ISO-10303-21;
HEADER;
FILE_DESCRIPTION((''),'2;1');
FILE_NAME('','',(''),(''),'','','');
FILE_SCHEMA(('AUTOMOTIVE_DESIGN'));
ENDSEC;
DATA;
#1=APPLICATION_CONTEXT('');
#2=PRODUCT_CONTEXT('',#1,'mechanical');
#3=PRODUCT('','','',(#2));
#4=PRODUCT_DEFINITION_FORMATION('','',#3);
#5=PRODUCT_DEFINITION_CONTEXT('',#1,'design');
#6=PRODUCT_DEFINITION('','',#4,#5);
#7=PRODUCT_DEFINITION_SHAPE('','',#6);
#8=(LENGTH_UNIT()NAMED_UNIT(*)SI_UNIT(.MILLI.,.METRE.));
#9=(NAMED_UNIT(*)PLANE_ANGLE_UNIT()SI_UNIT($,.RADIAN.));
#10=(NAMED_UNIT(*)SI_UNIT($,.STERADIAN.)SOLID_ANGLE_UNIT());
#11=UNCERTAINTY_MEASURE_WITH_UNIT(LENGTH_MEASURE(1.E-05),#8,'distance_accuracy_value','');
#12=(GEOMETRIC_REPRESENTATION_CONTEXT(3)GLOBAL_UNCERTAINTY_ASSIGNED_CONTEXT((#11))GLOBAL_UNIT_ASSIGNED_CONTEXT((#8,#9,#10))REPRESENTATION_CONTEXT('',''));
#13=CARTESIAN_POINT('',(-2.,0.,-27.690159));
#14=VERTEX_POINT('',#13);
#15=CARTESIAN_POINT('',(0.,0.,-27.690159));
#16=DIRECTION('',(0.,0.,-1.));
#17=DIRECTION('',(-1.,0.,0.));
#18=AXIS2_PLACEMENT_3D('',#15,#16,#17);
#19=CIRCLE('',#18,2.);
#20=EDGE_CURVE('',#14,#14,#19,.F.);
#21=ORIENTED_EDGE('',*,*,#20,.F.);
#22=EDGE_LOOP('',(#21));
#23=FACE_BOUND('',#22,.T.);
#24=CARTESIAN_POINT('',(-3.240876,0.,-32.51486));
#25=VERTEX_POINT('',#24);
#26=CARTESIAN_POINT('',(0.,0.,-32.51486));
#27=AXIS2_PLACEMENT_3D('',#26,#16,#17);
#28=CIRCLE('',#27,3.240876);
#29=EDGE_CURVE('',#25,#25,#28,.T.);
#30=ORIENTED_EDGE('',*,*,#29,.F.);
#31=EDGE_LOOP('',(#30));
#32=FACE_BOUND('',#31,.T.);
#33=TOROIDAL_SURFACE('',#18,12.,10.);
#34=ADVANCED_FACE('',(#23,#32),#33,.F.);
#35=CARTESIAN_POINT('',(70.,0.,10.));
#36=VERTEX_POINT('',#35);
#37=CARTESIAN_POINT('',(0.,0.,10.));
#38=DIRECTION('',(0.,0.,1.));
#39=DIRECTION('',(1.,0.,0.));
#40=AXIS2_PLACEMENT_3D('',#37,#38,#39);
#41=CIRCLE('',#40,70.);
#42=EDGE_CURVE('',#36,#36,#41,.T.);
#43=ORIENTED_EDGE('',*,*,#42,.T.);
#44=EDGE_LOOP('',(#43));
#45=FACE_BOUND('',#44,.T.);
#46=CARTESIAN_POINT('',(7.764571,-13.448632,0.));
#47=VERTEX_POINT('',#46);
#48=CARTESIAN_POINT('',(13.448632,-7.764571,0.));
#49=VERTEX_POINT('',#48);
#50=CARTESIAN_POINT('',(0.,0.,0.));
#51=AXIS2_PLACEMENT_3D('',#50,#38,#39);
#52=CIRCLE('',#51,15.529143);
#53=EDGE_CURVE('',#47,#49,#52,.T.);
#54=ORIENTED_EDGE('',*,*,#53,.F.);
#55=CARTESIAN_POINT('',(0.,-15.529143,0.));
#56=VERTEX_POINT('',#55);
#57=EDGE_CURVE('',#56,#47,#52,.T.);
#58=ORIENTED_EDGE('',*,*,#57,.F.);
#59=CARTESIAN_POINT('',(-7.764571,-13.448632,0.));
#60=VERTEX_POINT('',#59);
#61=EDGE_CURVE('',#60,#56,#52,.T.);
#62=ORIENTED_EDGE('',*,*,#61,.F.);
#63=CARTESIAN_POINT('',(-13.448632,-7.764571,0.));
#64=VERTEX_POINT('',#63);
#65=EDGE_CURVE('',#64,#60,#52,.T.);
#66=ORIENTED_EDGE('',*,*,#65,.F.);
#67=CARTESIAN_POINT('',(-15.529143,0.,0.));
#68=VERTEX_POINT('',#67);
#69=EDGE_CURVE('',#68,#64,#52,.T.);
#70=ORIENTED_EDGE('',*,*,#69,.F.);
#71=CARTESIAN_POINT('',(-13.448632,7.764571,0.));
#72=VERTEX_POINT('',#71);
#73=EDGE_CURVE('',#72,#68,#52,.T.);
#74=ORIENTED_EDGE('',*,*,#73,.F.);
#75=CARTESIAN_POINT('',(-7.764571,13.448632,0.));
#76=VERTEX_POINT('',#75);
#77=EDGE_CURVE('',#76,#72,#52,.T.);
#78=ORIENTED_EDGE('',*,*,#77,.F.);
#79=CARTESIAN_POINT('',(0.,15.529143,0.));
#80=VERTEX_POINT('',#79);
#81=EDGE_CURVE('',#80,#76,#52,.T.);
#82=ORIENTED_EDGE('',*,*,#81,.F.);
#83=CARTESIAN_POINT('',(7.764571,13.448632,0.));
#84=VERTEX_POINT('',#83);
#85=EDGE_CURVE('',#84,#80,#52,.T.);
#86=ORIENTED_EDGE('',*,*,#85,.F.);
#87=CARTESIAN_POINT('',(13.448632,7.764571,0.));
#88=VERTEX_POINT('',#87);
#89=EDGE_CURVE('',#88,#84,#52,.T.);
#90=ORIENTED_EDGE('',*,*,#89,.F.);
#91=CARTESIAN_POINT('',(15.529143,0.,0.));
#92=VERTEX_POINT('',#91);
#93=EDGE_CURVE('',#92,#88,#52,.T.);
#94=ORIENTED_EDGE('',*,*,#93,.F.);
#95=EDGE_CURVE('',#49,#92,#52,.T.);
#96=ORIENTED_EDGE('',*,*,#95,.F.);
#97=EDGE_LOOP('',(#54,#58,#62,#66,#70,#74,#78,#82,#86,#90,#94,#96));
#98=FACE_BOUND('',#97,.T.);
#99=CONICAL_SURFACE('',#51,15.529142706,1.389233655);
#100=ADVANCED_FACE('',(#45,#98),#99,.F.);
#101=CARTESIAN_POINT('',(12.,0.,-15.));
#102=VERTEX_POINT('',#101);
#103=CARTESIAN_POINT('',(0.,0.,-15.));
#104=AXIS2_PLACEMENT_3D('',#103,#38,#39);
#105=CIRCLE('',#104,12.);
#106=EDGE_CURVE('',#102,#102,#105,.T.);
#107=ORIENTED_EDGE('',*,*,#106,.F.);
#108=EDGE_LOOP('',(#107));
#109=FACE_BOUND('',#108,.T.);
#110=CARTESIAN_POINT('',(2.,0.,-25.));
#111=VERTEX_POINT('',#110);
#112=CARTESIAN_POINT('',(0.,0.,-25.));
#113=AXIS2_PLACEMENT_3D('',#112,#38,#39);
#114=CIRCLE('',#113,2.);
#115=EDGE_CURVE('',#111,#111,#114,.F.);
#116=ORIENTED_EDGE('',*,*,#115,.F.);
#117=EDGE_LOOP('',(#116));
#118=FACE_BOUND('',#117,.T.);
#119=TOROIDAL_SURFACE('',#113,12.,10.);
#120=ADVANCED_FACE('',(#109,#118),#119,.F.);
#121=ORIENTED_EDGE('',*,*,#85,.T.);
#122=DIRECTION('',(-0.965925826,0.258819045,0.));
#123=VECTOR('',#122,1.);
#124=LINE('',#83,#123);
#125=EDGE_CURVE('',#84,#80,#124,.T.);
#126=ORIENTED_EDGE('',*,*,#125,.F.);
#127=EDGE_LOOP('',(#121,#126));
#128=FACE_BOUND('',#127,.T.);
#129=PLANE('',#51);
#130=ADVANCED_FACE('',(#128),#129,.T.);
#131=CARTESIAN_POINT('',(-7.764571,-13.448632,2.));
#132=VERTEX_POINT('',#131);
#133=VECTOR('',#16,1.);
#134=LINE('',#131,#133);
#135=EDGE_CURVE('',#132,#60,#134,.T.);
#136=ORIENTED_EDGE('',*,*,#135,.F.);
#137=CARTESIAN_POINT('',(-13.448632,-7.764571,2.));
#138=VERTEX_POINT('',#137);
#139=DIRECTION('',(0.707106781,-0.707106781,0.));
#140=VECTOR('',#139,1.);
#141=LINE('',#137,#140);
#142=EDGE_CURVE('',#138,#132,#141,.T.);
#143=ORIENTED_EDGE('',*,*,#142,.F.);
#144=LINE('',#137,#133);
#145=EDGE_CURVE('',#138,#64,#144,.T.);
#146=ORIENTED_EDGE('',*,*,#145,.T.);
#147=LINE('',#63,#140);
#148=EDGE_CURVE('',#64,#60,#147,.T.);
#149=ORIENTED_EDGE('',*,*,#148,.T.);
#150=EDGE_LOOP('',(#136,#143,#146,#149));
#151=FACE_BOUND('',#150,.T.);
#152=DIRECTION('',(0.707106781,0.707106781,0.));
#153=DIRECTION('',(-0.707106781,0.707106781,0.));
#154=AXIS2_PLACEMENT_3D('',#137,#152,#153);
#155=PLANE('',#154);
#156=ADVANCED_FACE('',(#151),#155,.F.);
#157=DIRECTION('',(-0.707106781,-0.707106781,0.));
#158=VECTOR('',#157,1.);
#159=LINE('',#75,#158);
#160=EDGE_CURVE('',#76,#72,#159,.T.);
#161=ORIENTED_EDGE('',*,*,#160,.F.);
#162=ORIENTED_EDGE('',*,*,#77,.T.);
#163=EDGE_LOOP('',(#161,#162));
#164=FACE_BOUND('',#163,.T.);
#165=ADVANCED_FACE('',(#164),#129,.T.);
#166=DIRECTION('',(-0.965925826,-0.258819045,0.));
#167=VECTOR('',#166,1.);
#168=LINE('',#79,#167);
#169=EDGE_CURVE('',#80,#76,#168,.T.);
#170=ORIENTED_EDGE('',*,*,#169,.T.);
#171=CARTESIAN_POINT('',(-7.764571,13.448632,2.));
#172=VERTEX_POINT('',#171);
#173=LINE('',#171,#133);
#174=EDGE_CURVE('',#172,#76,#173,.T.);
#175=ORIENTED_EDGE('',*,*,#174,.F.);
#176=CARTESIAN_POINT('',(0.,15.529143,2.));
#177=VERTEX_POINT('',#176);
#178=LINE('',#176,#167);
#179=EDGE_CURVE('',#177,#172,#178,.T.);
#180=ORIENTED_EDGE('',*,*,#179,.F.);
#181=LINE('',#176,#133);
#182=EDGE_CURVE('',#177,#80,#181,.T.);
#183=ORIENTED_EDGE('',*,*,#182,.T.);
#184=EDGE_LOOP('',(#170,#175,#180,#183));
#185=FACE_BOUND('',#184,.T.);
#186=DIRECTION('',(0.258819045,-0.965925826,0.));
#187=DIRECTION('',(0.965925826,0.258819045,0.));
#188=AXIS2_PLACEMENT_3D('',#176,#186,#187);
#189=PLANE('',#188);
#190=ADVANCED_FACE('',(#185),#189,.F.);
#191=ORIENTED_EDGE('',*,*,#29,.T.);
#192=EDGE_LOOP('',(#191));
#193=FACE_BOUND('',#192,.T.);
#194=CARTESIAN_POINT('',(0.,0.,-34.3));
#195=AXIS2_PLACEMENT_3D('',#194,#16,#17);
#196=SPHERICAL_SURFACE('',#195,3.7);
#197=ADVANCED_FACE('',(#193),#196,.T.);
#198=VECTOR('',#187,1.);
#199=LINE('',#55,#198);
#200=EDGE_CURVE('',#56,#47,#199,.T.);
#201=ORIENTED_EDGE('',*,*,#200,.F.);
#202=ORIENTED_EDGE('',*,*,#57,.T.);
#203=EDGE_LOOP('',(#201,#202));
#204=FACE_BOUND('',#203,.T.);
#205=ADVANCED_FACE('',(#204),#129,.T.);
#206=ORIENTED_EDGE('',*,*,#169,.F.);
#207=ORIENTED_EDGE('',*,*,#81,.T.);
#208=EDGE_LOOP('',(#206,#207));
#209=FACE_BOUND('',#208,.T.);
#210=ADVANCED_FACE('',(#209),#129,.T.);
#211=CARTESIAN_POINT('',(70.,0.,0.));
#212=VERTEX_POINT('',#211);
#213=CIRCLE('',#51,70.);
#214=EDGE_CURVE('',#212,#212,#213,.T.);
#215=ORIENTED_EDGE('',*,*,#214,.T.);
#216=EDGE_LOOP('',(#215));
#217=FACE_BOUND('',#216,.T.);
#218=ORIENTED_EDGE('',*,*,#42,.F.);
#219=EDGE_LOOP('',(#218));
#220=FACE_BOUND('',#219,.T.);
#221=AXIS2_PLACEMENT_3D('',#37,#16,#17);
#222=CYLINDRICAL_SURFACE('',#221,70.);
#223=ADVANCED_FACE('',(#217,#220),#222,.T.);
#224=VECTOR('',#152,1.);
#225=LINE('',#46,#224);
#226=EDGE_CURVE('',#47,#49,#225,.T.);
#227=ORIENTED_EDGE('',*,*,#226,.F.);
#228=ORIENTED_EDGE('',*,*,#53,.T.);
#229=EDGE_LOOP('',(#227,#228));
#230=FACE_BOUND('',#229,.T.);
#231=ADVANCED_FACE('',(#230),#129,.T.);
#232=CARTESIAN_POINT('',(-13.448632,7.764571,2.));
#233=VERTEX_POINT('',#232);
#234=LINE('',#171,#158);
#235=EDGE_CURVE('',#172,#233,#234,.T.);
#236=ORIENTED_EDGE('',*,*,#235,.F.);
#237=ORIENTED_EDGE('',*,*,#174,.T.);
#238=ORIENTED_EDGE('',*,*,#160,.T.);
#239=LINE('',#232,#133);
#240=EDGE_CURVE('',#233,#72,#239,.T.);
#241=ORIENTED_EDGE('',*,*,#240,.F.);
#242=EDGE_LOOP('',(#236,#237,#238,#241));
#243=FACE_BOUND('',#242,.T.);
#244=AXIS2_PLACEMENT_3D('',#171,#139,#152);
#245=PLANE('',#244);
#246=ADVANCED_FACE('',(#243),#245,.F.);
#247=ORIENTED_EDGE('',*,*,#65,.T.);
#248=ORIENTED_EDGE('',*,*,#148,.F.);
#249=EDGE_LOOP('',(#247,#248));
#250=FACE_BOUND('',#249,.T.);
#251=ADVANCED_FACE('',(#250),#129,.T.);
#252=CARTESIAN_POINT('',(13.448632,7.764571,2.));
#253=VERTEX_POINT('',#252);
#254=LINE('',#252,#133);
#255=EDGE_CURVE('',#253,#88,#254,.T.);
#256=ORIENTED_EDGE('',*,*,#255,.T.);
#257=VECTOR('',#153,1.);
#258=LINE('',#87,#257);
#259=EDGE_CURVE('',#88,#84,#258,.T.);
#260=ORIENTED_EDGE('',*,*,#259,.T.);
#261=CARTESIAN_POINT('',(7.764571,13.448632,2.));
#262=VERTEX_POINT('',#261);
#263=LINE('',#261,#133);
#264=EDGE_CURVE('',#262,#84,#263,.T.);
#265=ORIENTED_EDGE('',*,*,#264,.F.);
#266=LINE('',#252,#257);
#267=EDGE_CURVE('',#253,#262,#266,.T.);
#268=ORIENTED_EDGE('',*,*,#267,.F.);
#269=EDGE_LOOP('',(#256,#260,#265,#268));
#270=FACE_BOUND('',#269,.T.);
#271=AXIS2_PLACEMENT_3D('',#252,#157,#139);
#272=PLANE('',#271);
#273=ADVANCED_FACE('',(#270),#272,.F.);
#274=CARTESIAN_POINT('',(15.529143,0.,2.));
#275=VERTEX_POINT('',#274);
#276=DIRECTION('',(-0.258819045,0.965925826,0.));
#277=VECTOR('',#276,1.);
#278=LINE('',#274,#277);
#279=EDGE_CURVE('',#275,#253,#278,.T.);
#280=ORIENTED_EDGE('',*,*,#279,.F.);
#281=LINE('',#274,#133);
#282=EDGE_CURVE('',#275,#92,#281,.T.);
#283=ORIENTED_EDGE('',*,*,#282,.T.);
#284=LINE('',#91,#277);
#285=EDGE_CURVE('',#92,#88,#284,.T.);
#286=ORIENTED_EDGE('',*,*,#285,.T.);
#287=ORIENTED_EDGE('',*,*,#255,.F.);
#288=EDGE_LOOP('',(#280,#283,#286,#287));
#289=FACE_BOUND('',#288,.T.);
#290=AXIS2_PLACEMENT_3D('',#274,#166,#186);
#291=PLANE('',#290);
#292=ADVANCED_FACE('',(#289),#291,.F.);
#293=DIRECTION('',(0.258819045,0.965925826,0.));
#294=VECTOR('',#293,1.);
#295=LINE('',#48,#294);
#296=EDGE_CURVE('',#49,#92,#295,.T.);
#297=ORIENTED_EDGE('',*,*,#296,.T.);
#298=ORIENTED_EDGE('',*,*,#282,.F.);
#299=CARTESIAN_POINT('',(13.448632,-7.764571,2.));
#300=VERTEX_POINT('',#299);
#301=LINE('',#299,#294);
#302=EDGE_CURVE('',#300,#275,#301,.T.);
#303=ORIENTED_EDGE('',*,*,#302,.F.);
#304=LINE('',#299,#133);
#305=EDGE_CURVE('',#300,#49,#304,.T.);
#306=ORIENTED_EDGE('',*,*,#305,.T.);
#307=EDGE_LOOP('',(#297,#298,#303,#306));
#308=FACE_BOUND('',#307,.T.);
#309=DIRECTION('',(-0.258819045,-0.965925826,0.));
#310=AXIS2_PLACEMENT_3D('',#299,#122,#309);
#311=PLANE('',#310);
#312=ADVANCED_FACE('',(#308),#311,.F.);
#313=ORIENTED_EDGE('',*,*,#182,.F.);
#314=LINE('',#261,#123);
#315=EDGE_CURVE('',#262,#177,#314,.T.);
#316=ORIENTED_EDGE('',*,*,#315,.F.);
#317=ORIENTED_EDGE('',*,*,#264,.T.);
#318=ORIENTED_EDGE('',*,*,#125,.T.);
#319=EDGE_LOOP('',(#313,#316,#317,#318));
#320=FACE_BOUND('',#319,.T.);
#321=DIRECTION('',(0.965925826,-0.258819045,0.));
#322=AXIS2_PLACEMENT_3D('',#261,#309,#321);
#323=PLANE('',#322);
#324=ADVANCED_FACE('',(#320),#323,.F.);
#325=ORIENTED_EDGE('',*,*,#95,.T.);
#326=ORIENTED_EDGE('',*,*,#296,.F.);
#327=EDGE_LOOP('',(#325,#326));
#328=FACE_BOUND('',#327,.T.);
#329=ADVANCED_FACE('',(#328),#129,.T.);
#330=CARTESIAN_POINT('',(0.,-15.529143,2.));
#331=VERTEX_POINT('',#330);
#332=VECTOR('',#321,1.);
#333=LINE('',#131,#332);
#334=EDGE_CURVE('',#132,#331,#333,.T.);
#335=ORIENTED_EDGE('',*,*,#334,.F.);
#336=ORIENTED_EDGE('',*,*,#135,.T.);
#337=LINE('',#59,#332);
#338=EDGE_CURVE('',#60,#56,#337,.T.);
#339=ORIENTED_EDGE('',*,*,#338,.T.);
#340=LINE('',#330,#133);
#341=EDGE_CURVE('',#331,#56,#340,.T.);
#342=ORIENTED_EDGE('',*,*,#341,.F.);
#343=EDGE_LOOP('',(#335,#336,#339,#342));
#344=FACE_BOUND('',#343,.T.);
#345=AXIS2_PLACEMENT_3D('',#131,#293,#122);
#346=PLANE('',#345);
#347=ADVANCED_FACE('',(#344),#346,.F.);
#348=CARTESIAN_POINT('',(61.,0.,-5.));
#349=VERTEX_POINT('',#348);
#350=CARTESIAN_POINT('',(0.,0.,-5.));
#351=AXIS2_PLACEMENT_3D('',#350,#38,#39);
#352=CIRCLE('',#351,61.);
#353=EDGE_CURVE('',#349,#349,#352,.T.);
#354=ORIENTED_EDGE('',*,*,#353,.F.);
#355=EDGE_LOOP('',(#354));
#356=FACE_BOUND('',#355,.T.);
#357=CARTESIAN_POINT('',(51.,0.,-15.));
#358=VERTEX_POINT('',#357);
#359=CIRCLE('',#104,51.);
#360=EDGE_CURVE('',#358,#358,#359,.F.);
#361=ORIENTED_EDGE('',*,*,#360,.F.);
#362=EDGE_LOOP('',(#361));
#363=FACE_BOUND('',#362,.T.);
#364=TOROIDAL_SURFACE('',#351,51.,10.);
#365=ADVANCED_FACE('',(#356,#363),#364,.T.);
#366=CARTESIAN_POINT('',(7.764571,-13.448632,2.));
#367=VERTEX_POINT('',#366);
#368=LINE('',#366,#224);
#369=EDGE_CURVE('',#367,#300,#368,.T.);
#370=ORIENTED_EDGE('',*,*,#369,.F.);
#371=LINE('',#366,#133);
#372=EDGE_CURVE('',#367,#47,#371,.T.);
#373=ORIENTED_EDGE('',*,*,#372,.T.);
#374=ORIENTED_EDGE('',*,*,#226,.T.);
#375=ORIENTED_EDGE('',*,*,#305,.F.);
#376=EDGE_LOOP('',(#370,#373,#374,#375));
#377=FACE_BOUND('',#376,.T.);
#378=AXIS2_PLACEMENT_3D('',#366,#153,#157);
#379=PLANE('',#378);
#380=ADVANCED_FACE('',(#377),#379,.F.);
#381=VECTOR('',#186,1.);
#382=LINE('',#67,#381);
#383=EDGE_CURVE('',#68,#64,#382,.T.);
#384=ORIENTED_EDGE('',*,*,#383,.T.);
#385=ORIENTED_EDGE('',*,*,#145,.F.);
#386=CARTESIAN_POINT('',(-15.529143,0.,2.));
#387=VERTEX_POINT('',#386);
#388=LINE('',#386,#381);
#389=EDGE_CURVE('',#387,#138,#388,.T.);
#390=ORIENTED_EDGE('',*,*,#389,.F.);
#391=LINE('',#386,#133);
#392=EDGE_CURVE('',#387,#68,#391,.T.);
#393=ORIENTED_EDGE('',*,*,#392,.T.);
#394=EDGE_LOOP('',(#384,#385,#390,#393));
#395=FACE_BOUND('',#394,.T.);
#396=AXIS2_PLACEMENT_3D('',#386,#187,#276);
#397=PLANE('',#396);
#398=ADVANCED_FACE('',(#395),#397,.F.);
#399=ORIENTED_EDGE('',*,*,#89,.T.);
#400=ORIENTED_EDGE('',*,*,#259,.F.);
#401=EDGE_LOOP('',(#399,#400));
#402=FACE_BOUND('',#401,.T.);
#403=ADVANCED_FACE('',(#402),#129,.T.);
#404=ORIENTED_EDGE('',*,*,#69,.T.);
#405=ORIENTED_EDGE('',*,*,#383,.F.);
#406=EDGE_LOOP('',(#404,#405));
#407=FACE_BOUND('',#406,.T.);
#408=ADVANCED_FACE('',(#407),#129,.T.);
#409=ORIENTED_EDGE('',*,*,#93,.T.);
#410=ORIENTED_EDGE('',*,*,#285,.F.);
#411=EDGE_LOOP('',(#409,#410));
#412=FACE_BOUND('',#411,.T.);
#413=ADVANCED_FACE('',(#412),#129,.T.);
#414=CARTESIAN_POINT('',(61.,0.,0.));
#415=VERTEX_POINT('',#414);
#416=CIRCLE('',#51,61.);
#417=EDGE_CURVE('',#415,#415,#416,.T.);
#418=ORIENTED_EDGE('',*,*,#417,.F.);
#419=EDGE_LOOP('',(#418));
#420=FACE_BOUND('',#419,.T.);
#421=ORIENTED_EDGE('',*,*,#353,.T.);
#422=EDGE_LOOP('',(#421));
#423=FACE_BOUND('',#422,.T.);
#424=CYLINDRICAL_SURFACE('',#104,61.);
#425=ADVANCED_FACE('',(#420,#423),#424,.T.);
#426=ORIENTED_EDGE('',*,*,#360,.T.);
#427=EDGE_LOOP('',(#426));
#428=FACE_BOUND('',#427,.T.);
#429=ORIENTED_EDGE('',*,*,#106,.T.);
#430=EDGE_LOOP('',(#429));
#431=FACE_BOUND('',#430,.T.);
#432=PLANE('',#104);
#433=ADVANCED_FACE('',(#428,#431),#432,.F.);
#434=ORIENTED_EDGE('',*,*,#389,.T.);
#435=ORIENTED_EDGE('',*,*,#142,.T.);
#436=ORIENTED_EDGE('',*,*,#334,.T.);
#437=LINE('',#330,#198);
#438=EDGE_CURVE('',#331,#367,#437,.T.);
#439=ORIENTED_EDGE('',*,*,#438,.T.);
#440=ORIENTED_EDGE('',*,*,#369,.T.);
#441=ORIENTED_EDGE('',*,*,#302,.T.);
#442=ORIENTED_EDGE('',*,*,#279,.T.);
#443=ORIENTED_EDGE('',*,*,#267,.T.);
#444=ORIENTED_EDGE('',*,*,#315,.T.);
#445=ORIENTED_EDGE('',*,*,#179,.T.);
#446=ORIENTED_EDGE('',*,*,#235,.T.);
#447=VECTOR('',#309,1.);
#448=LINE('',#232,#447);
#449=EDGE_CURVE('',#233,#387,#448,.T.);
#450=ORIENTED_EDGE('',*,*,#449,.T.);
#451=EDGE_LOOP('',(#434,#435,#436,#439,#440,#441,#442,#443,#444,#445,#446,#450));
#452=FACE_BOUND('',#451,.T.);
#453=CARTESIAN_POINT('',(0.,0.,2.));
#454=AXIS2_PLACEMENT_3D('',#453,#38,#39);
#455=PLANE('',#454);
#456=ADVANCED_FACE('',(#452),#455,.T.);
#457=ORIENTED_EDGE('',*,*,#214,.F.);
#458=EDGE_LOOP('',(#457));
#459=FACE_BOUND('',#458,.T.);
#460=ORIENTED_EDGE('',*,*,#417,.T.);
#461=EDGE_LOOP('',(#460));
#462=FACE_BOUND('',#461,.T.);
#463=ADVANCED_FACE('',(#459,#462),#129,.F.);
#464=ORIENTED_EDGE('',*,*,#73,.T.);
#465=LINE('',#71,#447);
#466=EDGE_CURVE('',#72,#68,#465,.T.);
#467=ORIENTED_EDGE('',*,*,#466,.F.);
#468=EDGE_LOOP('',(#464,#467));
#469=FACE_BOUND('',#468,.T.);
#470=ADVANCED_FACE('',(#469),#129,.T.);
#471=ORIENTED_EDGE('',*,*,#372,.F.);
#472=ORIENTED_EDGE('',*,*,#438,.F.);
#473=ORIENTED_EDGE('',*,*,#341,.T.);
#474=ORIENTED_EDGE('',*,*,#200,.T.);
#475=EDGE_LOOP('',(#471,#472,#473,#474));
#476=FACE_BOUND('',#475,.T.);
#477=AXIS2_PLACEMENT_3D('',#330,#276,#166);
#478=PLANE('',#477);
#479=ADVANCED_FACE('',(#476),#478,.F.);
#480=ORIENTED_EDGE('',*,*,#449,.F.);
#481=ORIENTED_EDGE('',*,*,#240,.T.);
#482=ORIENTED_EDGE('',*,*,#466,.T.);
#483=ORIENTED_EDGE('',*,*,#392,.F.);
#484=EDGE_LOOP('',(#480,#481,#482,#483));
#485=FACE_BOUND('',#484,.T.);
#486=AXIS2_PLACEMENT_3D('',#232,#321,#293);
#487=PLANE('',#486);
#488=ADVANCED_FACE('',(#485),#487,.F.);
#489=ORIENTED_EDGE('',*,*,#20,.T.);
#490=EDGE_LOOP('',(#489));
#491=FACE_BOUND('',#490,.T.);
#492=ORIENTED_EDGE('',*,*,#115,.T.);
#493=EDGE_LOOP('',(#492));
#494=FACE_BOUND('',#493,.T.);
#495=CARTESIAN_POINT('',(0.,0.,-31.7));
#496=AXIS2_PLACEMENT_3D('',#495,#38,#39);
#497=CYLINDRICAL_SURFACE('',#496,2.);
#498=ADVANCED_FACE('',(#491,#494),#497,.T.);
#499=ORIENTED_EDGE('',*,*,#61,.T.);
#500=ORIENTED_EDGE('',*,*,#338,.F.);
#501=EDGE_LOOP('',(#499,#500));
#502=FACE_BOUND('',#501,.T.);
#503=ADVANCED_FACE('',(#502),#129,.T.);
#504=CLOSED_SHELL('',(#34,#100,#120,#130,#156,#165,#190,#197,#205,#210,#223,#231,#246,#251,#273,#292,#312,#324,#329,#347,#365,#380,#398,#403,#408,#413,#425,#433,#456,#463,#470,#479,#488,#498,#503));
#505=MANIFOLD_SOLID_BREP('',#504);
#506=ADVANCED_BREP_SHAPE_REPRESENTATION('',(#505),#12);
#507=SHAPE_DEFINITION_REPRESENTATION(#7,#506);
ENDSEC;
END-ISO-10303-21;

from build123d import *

# Parameters (mm, degrees)
SKETCH2_R           = 70
BOSS_EXTRUDE2_DEPTH = 10
SKETCH3_R           = 61
BOSS_EXTRUDE3_DEPTH = 15
CUT_EXTRUDE2_DEPTH  = 10
SKETCH10_W          = 15.529142706
SKETCH10_H          = 10
BOSS_EXTRUDE4_DEPTH = 2
SKETCH19_R          = 2
BOSS_EXTRUDE5_DEPTH = 16.7
FILLET1_R           = 10


with BuildPart() as part:
    # Sketch2 → Boss-Extrude2 (new body)
    with BuildSketch(Plane.XY):
        Circle(SKETCH2_R)
    extrude(amount=BOSS_EXTRUDE2_DEPTH)

    # Sketch3 → Boss-Extrude3 (add)
    with BuildSketch(Plane.XY):
        Circle(SKETCH3_R)
    extrude(amount=-BOSS_EXTRUDE3_DEPTH)

    # Sketch9 → Cut-Extrude2 (cut)
    with BuildSketch(Plane.XY.offset(10)):
        Polygon((0, 15.529142706), (-7.764571353, 13.448632083), (-13.448632083, 7.764571353), (-15.529142706, 0), (-13.448632083, -7.764571353), (-7.764571353, -13.448632083), (0, -15.529142706), (7.764571353, -13.448632083), (13.448632083, -7.764571353), (15.529142706, 0), (13.448632083, 7.764571353), (7.764571353, 13.448632083), align=None)
    extrude(amount=-CUT_EXTRUDE2_DEPTH, mode=Mode.SUBTRACT)

    # Sketch10 → Cut-Revolve7 (revolve, cut)
    with BuildSketch(Plane(origin=(0, 0, 0), x_dir=(1, 0, 0), z_dir=(0, 1, 0)), mode=Mode.PRIVATE) as cut_revolve7_sk:
        Polygon((-70, -10), (-15.529142706, -10), (-15.529142706, 0), align=None)
        with Locations((-7.764571353, -5)):
            Rectangle(SKETCH10_W, SKETCH10_H)
    revolve(cut_revolve7_sk.sketch.rotate(Axis((0, 0, 10), (0, 0, -1)), 180), axis=Axis((0, 0, 10), (0, 0, -1)), mode=Mode.SUBTRACT)

    # Sketch14 → Boss-Extrude4 (add)
    with BuildSketch(Plane.XY):
        Polygon((0, 15.529142706), (-7.764571353, 13.448632083), (-13.448632083, 7.764571353), (-15.529142706, 0), (-13.448632083, -7.764571353), (-7.764571353, -13.448632083), (0, -15.529142706), (7.764571353, -13.448632083), (13.448632083, -7.764571353), (15.529142706, 0), (13.448632083, 7.764571353), (7.764571353, 13.448632083), align=None)
    extrude(amount=BOSS_EXTRUDE4_DEPTH)

    # Sketch19 → Boss-Extrude5 (add)
    with BuildSketch(Plane(origin=(0, 0, -15), x_dir=(-1, 0, 0), z_dir=(0, 0, -1))):
        with Locations(Location((0, 0, 0), (0, 0, 180))):
            Circle(SKETCH19_R)
    extrude(amount=BOSS_EXTRUDE5_DEPTH)

    # Sketch22 → Revolve2 (revolve)
    with BuildSketch(Plane(origin=(0, 0, -34.3), x_dir=(-1, 0, 0), z_dir=(0, 0, -1))):
        with BuildLine():
            Line((0, -3.7), (0, 3.7))
            ThreePointArc((0, 3.7), (-3.7, 0), (0, -3.7))
        make_face()
    revolve(axis=Axis((0, -3.7, -34.3), (0, 1, 0)))

    # Fillet1
    fillet1_edges = [part.edges().sort_by_distance(p)[0] for p in [
        (-2, 0, -15),
        (-2, 0, -31.187123517),
        (-61, 0, -15),
    ]]
    fillet(fillet1_edges, radius=FILLET1_R)


solid = part.part
